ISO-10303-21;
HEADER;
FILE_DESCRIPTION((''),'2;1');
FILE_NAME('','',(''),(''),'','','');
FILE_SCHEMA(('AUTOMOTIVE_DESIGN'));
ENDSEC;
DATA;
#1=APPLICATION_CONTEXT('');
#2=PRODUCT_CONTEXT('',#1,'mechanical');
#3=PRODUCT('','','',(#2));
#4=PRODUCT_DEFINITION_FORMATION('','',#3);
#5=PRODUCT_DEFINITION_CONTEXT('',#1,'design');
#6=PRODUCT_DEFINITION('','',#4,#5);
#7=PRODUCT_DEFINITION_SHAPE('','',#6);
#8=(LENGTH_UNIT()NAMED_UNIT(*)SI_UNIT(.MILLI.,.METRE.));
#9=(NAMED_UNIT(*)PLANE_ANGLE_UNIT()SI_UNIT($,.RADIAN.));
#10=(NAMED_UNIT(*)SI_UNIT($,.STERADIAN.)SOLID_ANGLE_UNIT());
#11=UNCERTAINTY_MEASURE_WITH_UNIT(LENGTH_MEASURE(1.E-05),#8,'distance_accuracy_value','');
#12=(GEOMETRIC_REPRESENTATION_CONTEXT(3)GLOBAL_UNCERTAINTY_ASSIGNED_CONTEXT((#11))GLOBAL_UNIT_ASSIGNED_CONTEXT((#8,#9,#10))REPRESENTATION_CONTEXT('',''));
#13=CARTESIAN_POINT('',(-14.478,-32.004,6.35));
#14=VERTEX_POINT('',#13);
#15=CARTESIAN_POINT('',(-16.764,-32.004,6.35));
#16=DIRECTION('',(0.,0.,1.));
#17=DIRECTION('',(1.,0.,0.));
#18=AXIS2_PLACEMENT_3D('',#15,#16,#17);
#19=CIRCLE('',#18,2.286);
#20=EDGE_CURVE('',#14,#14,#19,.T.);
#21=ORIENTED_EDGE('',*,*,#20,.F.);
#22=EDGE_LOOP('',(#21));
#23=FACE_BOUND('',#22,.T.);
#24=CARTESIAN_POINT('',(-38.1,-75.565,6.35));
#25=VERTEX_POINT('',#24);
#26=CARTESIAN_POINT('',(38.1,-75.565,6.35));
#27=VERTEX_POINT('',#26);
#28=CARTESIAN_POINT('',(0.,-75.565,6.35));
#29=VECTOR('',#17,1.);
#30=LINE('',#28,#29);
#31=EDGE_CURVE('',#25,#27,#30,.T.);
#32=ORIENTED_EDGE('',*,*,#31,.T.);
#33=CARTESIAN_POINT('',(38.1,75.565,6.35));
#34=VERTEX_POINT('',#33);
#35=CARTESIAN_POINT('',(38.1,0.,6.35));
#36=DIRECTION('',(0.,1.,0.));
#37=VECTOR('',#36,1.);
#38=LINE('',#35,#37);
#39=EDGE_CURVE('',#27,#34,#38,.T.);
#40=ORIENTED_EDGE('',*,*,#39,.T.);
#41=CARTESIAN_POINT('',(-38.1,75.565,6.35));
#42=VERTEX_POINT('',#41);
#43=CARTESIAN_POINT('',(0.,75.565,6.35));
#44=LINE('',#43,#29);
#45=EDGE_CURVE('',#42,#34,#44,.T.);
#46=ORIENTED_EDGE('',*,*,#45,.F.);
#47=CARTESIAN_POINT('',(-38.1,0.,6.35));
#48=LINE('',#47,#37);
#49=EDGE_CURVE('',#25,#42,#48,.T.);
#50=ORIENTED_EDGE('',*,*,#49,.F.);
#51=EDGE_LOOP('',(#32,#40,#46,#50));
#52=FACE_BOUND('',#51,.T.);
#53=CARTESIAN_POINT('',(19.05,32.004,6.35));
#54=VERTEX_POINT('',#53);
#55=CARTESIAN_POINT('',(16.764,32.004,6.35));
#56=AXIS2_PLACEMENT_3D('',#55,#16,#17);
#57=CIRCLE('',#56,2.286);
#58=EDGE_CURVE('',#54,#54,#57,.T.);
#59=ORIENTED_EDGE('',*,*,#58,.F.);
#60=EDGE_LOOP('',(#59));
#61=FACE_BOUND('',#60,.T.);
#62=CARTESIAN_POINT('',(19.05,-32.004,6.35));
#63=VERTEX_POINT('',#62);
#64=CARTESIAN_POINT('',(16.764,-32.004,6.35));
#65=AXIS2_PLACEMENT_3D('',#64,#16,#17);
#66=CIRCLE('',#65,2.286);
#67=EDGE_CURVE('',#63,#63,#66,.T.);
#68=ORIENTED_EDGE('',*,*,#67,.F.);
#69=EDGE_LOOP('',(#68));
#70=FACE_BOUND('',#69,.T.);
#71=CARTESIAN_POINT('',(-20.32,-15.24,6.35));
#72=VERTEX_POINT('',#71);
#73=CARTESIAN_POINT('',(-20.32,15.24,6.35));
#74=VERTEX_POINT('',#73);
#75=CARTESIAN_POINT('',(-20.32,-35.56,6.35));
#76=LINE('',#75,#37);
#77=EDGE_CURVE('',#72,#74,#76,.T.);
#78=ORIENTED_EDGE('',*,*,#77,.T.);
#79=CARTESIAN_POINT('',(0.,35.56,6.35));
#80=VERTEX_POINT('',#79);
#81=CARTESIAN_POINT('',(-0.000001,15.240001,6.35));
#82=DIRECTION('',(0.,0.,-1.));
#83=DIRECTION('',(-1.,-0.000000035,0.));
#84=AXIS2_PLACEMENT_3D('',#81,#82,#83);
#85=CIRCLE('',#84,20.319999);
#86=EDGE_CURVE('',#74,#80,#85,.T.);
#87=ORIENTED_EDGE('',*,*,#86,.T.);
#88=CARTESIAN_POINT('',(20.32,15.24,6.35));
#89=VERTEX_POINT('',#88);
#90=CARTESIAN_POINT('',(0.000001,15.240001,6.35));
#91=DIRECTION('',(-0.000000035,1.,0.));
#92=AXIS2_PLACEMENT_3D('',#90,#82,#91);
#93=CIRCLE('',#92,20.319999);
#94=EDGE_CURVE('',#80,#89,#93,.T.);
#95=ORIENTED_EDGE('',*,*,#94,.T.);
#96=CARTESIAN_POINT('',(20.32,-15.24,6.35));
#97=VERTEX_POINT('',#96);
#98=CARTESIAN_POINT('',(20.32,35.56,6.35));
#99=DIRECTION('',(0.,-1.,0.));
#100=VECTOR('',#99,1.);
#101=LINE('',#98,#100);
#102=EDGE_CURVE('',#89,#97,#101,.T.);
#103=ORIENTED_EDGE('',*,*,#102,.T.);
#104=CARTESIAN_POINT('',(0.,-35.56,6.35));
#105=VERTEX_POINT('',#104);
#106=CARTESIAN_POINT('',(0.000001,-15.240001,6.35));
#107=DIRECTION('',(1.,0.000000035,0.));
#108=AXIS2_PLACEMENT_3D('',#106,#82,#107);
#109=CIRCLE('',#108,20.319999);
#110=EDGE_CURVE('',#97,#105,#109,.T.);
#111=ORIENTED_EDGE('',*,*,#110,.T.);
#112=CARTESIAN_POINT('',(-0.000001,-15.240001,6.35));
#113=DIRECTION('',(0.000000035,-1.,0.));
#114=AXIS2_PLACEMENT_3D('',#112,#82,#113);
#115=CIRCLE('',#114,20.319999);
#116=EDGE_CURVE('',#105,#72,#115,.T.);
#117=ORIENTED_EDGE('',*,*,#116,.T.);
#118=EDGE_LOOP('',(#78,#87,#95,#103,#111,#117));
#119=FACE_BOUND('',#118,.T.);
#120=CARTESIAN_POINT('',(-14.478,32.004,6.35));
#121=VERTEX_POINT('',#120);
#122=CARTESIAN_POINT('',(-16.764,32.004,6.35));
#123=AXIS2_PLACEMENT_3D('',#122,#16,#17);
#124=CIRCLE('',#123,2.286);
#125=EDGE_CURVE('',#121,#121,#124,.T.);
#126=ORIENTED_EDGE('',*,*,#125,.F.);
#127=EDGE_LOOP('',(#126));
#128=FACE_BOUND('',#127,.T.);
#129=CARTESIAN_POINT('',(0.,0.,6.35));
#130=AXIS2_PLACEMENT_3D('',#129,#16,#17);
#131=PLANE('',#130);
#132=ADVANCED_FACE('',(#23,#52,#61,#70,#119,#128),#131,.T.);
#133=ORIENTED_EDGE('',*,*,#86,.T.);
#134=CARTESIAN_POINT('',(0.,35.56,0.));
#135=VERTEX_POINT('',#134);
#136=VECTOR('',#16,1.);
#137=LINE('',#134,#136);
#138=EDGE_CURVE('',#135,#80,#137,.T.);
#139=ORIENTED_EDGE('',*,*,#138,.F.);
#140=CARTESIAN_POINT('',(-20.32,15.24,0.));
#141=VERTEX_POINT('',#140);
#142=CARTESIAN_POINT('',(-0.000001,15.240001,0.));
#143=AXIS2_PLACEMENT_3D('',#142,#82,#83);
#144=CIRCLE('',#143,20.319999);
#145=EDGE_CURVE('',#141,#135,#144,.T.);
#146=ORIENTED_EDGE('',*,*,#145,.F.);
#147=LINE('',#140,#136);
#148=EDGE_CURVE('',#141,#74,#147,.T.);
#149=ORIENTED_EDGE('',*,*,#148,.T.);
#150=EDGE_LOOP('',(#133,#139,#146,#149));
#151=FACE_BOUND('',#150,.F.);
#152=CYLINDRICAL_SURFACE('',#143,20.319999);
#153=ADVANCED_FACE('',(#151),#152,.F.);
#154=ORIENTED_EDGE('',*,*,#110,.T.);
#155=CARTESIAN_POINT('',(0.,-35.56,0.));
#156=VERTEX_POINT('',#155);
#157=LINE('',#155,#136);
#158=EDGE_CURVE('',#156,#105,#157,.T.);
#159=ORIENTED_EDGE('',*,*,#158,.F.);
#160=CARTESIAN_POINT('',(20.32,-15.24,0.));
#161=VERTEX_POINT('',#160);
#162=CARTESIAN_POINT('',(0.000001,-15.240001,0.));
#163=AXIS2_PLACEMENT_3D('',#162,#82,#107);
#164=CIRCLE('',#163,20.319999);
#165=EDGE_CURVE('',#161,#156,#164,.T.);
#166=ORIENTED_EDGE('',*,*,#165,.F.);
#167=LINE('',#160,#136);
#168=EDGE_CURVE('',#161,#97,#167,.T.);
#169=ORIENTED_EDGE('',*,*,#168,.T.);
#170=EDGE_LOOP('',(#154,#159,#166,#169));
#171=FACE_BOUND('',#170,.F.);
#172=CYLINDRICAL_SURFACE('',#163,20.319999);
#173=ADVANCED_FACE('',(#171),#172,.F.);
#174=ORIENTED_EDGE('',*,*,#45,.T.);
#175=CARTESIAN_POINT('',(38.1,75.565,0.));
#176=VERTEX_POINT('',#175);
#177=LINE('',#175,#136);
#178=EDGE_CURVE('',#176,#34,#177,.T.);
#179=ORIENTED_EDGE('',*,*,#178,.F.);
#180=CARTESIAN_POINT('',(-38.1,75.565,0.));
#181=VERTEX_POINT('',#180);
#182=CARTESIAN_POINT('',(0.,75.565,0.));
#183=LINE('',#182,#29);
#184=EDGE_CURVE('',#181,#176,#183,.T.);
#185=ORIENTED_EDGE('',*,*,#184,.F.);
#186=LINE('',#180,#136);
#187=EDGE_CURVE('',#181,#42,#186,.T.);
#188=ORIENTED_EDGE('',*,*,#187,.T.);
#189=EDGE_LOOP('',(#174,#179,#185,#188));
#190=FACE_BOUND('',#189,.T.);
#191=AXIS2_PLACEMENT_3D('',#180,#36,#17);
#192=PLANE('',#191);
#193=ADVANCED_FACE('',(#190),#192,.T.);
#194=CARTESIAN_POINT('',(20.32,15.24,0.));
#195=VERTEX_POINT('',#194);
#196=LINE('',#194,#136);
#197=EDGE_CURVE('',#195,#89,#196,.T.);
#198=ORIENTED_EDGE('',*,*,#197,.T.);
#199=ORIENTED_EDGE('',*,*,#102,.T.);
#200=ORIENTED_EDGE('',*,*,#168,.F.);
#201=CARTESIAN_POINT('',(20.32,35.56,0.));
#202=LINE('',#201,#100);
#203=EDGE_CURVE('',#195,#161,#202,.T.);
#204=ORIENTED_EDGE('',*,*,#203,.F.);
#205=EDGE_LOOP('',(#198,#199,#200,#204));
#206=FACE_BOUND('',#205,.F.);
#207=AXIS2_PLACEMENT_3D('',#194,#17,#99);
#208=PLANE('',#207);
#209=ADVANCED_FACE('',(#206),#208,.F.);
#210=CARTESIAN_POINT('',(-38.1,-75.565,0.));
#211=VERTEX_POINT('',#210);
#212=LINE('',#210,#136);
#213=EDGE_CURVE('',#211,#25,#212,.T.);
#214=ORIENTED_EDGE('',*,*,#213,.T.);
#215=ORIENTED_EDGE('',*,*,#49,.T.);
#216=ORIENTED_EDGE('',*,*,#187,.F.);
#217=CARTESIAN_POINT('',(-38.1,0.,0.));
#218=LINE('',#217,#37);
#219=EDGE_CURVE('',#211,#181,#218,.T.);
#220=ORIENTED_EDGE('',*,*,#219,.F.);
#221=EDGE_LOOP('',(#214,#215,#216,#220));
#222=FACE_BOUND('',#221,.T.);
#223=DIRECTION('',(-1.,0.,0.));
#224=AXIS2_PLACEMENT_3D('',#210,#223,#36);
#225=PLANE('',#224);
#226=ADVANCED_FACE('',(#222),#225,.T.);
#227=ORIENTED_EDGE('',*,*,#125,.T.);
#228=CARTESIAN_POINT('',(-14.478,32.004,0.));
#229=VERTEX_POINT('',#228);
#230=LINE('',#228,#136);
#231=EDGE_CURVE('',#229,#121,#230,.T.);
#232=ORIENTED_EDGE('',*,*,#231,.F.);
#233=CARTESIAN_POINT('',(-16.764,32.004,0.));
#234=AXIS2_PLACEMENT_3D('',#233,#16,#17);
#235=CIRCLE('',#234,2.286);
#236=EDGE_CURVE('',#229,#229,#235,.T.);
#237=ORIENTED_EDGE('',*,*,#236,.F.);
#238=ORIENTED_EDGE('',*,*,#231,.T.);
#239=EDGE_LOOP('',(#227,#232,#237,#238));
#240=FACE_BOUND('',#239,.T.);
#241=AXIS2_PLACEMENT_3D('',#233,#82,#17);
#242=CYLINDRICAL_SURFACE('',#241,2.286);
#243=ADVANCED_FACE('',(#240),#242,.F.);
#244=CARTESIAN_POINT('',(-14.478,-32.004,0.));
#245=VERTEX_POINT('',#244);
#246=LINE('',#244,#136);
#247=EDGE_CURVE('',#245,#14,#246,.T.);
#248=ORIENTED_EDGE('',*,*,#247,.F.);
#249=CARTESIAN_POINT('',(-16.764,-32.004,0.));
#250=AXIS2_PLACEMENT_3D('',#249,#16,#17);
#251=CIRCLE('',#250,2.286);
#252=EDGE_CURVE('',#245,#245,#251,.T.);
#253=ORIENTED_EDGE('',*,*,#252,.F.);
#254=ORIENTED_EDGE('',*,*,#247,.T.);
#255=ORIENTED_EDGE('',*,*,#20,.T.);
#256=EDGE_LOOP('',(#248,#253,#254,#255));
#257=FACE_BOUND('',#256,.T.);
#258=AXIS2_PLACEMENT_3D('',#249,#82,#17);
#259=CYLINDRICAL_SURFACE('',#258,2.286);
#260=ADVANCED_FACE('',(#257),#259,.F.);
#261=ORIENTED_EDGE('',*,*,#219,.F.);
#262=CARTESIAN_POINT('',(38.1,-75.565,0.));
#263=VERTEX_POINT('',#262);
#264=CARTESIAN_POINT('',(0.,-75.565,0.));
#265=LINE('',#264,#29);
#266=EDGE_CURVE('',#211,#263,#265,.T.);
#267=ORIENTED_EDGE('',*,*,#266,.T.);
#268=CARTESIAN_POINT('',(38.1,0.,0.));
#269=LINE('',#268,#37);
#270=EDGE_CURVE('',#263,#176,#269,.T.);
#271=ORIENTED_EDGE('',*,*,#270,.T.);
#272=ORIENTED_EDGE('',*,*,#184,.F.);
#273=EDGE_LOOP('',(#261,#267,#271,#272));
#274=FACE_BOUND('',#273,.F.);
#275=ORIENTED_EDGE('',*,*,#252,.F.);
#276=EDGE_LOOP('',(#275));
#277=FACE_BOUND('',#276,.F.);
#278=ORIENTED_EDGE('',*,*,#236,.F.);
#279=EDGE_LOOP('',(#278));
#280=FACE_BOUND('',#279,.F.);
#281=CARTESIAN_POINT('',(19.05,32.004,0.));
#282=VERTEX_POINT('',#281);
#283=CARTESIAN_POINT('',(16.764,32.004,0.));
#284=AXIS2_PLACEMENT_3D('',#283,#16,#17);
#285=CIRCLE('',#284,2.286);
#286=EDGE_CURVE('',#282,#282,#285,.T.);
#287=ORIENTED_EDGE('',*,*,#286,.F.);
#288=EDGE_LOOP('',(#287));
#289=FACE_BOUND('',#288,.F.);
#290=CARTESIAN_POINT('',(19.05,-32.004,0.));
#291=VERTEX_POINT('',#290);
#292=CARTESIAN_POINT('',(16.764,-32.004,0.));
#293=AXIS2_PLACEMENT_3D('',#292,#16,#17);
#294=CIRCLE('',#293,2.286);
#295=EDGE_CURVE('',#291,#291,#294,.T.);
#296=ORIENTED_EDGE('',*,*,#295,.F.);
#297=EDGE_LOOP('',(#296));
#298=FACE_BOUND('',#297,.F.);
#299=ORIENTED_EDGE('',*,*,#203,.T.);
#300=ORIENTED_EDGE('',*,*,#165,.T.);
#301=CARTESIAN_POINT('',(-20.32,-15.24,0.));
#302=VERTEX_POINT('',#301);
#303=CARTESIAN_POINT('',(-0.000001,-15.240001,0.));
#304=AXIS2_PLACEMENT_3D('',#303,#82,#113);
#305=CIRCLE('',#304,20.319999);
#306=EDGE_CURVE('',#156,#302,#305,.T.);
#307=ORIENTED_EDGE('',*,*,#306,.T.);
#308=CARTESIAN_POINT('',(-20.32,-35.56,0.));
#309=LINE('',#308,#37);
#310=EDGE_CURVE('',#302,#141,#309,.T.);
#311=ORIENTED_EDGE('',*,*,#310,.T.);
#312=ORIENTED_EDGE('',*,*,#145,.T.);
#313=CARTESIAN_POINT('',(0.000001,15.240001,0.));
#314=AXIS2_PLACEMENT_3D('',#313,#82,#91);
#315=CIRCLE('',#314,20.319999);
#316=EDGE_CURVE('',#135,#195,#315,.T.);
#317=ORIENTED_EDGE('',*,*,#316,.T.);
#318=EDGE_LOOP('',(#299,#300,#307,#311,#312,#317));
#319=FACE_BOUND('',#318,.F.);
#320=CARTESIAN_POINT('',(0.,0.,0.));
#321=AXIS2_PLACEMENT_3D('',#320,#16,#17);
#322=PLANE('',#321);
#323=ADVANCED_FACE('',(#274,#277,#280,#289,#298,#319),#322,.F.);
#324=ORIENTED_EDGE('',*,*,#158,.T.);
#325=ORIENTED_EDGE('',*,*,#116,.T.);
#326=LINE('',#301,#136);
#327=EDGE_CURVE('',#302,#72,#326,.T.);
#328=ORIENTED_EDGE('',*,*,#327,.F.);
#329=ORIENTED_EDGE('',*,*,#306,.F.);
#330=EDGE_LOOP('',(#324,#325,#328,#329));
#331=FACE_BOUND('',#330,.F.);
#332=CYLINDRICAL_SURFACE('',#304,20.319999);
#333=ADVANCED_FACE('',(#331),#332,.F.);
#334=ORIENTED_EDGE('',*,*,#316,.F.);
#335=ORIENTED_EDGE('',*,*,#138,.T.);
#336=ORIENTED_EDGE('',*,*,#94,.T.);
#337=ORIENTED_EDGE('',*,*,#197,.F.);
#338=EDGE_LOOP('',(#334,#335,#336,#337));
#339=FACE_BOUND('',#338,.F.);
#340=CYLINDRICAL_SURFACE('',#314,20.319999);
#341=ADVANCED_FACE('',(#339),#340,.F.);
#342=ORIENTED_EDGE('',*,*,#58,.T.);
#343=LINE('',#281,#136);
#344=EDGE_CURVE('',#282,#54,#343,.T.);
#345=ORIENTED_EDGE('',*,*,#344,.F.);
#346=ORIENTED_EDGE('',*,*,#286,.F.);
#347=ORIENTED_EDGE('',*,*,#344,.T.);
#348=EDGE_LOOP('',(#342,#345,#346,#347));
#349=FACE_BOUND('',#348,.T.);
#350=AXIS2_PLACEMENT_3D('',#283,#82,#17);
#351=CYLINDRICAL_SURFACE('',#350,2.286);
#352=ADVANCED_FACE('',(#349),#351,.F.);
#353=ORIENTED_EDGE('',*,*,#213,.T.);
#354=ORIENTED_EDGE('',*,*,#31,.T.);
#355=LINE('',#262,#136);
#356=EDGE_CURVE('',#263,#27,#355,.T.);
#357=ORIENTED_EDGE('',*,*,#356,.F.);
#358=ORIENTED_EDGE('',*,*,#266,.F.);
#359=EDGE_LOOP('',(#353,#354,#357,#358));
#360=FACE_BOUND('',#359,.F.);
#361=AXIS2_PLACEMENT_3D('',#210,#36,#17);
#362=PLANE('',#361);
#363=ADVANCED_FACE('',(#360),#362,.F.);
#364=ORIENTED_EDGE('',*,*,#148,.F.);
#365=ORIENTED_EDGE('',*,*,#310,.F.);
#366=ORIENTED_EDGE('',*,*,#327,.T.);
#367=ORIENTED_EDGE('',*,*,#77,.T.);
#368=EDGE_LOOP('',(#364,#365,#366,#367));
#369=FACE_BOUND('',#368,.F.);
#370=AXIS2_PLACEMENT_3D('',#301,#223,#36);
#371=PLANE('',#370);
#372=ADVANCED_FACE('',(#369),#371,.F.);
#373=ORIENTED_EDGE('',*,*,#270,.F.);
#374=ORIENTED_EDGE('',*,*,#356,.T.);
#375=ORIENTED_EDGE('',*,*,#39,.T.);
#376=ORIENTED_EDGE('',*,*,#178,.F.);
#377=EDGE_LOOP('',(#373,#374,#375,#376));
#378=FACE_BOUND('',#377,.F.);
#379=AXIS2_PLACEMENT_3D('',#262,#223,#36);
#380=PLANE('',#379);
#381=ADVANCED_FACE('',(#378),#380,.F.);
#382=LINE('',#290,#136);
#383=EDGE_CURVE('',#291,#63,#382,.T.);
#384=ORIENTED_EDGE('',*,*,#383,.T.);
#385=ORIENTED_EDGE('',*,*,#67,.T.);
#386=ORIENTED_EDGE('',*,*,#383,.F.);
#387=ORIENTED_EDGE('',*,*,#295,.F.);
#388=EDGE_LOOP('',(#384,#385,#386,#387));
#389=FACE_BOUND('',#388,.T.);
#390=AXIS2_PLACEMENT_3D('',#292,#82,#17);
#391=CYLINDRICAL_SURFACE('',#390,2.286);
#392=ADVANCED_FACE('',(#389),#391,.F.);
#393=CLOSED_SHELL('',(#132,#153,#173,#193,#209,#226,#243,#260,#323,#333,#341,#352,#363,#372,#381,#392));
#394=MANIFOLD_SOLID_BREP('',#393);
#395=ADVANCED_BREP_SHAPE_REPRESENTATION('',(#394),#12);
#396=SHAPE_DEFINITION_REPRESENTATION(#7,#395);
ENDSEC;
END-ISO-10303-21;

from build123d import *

# Parameters (mm, degrees)
F0_W     = 76.2
F0_H     = 151.13
F0_R     = 2.286
F1_DEPTH = 6.35


with BuildPart() as f1:
    # F0 (on Top) → F1 (new body)
    with BuildSketch(Plane.XY):
        Rectangle(F0_W, F0_H)
        Polygon((0, 35.56), (20.32, 35.56), (20.32, 15.24), (20.32, -15.24), (20.32, -35.56), (0, -35.56), (-20.32, -35.56), (-20.32, -15.24), (-20.32, 15.24), (-20.32, 35.56), align=None, mode=Mode.SUBTRACT)
        with BuildLine():
            ThreePointArc((0, -35.56), (-14.36841, -29.60841), (-20.32, -15.24))
            Line((-20.32, -15.24), (-20.32, -35.56))
            Line((-20.32, -35.56), (0, -35.56))
        make_face()
        with Locations((-16.764, -32.004)):
            Circle(F0_R, mode=Mode.SUBTRACT)
        with BuildLine():
            Line((20.32, -35.56), (20.32, -15.24))
            ThreePointArc((20.32, -15.24), (14.36841, -29.60841), (0, -35.56))
            Line((0, -35.56), (20.32, -35.56))
        make_face()
        with Locations((16.764, -32.004)):
            Circle(F0_R, mode=Mode.SUBTRACT)
        with BuildLine():
            ThreePointArc((-20.32, 15.24), (-14.36841, 29.60841), (0, 35.56))
            Line((0, 35.56), (-20.32, 35.56))
            Line((-20.32, 35.56), (-20.32, 15.24))
        make_face()
        with Locations((-16.764, 32.004)):
            Circle(F0_R, mode=Mode.SUBTRACT)
        with BuildLine():
            Line((20.32, 15.24), (20.32, 35.56))
            Line((20.32, 35.56), (0, 35.56))
            ThreePointArc((0, 35.56), (14.36841, 29.60841), (20.32, 15.24))
        make_face()
        with Locations((16.764, 32.004)):
            Circle(F0_R, mode=Mode.SUBTRACT)
    extrude(amount=F1_DEPTH)


solid = f1.part
